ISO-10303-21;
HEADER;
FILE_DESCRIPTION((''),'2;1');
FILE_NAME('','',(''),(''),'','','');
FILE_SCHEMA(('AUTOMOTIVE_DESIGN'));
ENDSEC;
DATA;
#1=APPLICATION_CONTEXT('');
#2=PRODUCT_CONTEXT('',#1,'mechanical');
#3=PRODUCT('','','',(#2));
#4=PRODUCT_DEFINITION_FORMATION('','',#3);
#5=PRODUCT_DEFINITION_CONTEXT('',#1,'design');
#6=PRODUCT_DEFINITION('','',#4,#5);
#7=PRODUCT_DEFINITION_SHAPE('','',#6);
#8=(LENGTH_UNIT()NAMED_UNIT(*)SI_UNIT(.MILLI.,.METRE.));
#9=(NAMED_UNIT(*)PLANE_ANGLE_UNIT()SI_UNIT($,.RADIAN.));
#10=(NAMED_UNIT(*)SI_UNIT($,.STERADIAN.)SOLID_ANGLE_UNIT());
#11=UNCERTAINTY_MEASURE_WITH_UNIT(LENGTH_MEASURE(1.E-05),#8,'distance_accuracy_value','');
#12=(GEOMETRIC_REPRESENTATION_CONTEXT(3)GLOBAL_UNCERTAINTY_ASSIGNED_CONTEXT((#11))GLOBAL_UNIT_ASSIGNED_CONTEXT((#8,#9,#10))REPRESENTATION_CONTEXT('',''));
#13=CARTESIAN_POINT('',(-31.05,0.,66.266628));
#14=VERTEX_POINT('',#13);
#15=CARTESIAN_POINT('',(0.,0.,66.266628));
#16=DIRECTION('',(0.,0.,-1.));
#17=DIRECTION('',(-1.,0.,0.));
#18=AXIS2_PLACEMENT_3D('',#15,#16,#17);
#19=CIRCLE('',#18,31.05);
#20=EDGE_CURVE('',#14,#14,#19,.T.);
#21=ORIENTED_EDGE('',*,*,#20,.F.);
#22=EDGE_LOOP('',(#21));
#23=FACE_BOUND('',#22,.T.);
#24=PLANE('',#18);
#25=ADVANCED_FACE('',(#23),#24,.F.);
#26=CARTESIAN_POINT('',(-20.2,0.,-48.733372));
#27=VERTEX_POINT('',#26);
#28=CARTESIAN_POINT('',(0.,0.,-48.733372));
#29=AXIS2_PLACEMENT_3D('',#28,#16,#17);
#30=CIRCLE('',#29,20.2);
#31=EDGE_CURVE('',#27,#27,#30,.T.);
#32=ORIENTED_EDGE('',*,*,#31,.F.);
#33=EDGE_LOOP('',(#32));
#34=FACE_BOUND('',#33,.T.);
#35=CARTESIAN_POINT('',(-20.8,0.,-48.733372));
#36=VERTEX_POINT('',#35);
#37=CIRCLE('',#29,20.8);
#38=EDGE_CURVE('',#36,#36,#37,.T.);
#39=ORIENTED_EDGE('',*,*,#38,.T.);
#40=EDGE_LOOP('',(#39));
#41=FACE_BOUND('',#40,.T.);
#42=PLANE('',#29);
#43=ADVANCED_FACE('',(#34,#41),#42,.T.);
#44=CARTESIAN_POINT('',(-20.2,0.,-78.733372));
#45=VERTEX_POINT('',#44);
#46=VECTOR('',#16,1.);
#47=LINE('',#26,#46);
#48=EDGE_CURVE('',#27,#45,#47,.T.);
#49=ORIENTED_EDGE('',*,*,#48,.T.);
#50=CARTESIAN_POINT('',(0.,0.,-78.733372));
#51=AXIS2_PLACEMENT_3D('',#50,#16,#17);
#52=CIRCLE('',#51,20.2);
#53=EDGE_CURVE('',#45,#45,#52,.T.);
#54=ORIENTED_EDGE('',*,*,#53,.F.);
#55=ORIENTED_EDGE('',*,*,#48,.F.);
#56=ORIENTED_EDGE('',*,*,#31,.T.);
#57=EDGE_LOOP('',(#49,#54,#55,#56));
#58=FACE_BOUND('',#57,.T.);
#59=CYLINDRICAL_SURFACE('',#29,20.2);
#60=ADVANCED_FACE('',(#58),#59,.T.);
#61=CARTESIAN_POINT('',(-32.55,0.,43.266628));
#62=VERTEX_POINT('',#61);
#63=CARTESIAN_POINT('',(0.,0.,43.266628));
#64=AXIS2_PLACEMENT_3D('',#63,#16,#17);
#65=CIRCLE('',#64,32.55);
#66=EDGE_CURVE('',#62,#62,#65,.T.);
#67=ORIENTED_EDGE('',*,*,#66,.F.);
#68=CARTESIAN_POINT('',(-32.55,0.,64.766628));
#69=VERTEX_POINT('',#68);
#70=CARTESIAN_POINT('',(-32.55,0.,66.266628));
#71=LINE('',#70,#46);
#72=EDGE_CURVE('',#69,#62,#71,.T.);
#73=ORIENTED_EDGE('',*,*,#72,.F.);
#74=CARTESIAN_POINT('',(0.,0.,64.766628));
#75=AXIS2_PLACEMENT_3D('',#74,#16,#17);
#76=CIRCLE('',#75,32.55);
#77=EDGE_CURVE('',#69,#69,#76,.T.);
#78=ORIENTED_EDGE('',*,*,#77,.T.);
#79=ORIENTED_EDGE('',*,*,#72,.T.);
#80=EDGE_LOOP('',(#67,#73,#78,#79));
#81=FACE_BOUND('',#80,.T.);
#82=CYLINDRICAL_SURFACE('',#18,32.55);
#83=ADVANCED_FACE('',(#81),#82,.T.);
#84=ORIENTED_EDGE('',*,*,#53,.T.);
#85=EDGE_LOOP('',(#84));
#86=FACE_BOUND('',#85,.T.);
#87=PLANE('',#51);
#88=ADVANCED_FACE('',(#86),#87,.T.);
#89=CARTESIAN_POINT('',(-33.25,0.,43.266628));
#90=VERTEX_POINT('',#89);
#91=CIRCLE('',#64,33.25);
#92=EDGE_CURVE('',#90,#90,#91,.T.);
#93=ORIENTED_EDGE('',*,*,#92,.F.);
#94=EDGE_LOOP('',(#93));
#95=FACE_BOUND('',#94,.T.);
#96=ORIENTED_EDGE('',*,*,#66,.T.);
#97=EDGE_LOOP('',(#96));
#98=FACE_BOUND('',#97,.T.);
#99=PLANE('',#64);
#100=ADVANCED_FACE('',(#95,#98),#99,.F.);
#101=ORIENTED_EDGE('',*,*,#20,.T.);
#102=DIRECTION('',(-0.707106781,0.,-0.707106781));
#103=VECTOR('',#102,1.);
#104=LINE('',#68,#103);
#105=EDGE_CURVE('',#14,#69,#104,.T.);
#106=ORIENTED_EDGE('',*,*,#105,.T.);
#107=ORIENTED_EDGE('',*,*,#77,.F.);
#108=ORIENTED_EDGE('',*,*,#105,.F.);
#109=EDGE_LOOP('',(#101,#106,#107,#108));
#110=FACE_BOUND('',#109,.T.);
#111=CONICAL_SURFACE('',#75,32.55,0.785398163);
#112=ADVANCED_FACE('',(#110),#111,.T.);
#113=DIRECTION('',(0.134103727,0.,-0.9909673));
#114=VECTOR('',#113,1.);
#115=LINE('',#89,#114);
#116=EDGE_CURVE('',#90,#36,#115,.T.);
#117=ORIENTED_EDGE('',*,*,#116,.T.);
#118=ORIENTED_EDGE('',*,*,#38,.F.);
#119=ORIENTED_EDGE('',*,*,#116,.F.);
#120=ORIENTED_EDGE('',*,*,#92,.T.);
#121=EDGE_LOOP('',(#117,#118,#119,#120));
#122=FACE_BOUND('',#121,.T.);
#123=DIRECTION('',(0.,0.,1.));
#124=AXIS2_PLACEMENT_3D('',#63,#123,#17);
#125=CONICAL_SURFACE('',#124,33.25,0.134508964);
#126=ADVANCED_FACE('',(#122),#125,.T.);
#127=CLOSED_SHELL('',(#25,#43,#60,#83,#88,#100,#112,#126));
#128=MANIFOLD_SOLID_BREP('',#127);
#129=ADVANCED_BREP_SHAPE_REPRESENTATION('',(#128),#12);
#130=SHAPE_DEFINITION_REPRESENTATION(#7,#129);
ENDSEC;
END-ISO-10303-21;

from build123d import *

# Parameters (mm, degrees)
F2_SIZE = 1.5


with BuildPart() as f1:
    # F0 (on Front) → F1 (revolve)
    with BuildSketch(Plane.XZ):
        Polygon((0, 66.266628), (-32.55, 66.266628), (-32.55, 43.266628), (-33.25, 43.266628), (-20.8, -48.733372), (-20.2, -48.733372), (-20.2, -78.733372), (0, -78.733372), align=None)
    revolve(axis=Axis((0, 0, -2.596696), (0, 0, -1)))

    # F2
    f2_edges = [f1.edges().sort_by_distance(p)[0] for p in [
        (32.55, 0, 66.266628),
    ]]
    chamfer(f2_edges, length=F2_SIZE)


solid = f1.part
